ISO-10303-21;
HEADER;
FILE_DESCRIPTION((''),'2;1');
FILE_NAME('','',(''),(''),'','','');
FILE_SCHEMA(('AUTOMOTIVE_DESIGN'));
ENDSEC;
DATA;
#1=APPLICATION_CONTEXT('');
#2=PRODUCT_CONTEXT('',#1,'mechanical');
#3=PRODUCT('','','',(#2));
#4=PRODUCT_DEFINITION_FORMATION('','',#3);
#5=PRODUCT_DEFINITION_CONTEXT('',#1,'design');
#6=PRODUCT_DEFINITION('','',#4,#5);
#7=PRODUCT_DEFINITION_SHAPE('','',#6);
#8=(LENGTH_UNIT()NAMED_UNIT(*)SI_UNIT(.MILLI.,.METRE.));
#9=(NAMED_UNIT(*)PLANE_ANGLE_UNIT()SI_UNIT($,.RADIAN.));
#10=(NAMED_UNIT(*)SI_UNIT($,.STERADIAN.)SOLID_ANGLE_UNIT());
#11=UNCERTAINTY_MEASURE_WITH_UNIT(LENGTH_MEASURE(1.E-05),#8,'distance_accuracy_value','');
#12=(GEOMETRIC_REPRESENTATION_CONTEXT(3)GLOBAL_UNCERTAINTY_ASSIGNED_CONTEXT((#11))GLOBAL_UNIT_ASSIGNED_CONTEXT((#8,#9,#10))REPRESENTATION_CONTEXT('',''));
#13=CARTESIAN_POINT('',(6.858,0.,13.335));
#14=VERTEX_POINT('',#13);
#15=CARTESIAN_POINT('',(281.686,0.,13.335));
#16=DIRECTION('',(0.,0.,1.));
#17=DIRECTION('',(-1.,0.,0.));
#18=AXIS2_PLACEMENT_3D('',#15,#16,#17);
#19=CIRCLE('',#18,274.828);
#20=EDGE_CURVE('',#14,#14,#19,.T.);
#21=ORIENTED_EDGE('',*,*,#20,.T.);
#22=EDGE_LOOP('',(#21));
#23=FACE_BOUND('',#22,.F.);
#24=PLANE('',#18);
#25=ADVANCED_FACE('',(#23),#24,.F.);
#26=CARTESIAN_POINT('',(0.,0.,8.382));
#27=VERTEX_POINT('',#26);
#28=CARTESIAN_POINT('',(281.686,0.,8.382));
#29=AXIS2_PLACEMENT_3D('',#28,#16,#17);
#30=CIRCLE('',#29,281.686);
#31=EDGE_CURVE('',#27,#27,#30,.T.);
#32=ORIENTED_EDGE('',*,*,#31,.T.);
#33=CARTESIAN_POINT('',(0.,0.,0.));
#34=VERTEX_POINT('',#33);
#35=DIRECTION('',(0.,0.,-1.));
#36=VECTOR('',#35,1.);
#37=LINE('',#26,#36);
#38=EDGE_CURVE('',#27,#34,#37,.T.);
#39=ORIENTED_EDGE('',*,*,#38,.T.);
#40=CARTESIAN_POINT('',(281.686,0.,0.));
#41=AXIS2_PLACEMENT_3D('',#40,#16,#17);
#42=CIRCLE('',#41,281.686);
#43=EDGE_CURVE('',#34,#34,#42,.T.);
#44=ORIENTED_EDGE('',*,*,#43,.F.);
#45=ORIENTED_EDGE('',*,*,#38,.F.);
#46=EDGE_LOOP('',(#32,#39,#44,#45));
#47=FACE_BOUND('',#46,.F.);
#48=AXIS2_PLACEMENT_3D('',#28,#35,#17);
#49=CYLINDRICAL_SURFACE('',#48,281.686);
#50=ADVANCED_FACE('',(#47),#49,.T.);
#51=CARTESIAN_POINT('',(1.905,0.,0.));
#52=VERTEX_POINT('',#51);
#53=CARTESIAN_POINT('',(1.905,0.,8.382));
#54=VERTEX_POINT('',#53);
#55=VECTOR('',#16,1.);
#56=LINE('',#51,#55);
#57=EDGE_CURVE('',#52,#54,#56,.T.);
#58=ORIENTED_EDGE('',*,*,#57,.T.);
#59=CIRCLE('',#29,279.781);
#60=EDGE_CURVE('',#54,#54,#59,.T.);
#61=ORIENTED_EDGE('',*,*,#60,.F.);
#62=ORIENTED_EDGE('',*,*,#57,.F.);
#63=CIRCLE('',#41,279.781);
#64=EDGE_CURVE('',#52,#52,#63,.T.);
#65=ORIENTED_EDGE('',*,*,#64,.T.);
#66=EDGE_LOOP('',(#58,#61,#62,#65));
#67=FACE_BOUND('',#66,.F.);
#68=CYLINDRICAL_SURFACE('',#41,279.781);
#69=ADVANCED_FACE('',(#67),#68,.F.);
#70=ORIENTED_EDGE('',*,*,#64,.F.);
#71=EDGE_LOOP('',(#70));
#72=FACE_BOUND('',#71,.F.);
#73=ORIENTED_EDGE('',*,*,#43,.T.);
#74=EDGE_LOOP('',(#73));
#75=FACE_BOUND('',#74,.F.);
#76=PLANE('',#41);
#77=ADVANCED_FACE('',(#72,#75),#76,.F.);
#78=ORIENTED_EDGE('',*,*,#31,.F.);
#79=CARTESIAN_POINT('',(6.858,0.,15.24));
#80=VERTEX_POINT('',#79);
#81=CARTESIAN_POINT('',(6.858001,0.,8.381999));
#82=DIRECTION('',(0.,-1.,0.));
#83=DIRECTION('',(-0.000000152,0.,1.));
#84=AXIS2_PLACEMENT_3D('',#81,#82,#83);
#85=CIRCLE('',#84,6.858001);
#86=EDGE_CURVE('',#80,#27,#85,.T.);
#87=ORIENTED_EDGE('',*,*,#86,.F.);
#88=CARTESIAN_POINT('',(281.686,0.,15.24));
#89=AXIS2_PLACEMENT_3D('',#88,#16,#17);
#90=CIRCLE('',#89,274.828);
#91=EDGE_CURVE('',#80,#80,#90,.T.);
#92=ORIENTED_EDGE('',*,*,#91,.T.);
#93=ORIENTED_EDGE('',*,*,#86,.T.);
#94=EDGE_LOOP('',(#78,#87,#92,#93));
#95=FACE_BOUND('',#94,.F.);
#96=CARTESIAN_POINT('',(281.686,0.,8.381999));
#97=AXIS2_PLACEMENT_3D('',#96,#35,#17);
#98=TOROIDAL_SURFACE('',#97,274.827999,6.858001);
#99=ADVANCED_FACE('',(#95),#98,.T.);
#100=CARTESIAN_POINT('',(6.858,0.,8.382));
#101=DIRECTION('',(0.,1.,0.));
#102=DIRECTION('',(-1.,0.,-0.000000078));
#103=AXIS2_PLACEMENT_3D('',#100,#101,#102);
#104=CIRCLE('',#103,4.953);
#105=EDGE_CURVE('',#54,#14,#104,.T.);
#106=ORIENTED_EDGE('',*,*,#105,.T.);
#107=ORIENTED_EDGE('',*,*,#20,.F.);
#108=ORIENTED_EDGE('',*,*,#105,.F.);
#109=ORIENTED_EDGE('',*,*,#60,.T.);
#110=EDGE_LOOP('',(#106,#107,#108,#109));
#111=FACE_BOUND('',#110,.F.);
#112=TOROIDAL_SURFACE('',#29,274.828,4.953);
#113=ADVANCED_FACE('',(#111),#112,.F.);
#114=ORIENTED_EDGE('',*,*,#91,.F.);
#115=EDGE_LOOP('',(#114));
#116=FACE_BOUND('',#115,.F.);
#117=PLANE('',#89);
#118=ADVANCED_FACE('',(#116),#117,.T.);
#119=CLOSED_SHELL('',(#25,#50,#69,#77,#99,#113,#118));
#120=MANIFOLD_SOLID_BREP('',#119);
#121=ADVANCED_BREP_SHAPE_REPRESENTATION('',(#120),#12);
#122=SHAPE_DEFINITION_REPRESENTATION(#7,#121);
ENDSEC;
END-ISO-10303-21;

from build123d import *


with BuildPart() as f1:
    # F0 (on Front) → F1 (revolve)
    with BuildSketch(Plane.XZ):
        with BuildLine():
            Line((0, 8.382), (0, 0))
            Line((0, 0), (1.905, 0))
            Line((1.905, 0), (1.905, 8.382))
            ThreePointArc((1.905, 8.382), (3.3557, 11.8843), (6.858, 13.335))
            Line((6.858, 13.335), (281.686, 13.335))
            Line((281.686, 13.335), (281.686, 15.24))
            Line((281.686, 15.24), (23.494648, 15.24))
            Line((23.494648, 15.24), (6.858, 15.24))
            ThreePointArc((6.858, 15.24), (2.008662, 13.231338), (0, 8.382))
        make_face()
    revolve(axis=Axis((281.686, 0, 14.2875), (0, 0, 1)))


solid = f1.part
